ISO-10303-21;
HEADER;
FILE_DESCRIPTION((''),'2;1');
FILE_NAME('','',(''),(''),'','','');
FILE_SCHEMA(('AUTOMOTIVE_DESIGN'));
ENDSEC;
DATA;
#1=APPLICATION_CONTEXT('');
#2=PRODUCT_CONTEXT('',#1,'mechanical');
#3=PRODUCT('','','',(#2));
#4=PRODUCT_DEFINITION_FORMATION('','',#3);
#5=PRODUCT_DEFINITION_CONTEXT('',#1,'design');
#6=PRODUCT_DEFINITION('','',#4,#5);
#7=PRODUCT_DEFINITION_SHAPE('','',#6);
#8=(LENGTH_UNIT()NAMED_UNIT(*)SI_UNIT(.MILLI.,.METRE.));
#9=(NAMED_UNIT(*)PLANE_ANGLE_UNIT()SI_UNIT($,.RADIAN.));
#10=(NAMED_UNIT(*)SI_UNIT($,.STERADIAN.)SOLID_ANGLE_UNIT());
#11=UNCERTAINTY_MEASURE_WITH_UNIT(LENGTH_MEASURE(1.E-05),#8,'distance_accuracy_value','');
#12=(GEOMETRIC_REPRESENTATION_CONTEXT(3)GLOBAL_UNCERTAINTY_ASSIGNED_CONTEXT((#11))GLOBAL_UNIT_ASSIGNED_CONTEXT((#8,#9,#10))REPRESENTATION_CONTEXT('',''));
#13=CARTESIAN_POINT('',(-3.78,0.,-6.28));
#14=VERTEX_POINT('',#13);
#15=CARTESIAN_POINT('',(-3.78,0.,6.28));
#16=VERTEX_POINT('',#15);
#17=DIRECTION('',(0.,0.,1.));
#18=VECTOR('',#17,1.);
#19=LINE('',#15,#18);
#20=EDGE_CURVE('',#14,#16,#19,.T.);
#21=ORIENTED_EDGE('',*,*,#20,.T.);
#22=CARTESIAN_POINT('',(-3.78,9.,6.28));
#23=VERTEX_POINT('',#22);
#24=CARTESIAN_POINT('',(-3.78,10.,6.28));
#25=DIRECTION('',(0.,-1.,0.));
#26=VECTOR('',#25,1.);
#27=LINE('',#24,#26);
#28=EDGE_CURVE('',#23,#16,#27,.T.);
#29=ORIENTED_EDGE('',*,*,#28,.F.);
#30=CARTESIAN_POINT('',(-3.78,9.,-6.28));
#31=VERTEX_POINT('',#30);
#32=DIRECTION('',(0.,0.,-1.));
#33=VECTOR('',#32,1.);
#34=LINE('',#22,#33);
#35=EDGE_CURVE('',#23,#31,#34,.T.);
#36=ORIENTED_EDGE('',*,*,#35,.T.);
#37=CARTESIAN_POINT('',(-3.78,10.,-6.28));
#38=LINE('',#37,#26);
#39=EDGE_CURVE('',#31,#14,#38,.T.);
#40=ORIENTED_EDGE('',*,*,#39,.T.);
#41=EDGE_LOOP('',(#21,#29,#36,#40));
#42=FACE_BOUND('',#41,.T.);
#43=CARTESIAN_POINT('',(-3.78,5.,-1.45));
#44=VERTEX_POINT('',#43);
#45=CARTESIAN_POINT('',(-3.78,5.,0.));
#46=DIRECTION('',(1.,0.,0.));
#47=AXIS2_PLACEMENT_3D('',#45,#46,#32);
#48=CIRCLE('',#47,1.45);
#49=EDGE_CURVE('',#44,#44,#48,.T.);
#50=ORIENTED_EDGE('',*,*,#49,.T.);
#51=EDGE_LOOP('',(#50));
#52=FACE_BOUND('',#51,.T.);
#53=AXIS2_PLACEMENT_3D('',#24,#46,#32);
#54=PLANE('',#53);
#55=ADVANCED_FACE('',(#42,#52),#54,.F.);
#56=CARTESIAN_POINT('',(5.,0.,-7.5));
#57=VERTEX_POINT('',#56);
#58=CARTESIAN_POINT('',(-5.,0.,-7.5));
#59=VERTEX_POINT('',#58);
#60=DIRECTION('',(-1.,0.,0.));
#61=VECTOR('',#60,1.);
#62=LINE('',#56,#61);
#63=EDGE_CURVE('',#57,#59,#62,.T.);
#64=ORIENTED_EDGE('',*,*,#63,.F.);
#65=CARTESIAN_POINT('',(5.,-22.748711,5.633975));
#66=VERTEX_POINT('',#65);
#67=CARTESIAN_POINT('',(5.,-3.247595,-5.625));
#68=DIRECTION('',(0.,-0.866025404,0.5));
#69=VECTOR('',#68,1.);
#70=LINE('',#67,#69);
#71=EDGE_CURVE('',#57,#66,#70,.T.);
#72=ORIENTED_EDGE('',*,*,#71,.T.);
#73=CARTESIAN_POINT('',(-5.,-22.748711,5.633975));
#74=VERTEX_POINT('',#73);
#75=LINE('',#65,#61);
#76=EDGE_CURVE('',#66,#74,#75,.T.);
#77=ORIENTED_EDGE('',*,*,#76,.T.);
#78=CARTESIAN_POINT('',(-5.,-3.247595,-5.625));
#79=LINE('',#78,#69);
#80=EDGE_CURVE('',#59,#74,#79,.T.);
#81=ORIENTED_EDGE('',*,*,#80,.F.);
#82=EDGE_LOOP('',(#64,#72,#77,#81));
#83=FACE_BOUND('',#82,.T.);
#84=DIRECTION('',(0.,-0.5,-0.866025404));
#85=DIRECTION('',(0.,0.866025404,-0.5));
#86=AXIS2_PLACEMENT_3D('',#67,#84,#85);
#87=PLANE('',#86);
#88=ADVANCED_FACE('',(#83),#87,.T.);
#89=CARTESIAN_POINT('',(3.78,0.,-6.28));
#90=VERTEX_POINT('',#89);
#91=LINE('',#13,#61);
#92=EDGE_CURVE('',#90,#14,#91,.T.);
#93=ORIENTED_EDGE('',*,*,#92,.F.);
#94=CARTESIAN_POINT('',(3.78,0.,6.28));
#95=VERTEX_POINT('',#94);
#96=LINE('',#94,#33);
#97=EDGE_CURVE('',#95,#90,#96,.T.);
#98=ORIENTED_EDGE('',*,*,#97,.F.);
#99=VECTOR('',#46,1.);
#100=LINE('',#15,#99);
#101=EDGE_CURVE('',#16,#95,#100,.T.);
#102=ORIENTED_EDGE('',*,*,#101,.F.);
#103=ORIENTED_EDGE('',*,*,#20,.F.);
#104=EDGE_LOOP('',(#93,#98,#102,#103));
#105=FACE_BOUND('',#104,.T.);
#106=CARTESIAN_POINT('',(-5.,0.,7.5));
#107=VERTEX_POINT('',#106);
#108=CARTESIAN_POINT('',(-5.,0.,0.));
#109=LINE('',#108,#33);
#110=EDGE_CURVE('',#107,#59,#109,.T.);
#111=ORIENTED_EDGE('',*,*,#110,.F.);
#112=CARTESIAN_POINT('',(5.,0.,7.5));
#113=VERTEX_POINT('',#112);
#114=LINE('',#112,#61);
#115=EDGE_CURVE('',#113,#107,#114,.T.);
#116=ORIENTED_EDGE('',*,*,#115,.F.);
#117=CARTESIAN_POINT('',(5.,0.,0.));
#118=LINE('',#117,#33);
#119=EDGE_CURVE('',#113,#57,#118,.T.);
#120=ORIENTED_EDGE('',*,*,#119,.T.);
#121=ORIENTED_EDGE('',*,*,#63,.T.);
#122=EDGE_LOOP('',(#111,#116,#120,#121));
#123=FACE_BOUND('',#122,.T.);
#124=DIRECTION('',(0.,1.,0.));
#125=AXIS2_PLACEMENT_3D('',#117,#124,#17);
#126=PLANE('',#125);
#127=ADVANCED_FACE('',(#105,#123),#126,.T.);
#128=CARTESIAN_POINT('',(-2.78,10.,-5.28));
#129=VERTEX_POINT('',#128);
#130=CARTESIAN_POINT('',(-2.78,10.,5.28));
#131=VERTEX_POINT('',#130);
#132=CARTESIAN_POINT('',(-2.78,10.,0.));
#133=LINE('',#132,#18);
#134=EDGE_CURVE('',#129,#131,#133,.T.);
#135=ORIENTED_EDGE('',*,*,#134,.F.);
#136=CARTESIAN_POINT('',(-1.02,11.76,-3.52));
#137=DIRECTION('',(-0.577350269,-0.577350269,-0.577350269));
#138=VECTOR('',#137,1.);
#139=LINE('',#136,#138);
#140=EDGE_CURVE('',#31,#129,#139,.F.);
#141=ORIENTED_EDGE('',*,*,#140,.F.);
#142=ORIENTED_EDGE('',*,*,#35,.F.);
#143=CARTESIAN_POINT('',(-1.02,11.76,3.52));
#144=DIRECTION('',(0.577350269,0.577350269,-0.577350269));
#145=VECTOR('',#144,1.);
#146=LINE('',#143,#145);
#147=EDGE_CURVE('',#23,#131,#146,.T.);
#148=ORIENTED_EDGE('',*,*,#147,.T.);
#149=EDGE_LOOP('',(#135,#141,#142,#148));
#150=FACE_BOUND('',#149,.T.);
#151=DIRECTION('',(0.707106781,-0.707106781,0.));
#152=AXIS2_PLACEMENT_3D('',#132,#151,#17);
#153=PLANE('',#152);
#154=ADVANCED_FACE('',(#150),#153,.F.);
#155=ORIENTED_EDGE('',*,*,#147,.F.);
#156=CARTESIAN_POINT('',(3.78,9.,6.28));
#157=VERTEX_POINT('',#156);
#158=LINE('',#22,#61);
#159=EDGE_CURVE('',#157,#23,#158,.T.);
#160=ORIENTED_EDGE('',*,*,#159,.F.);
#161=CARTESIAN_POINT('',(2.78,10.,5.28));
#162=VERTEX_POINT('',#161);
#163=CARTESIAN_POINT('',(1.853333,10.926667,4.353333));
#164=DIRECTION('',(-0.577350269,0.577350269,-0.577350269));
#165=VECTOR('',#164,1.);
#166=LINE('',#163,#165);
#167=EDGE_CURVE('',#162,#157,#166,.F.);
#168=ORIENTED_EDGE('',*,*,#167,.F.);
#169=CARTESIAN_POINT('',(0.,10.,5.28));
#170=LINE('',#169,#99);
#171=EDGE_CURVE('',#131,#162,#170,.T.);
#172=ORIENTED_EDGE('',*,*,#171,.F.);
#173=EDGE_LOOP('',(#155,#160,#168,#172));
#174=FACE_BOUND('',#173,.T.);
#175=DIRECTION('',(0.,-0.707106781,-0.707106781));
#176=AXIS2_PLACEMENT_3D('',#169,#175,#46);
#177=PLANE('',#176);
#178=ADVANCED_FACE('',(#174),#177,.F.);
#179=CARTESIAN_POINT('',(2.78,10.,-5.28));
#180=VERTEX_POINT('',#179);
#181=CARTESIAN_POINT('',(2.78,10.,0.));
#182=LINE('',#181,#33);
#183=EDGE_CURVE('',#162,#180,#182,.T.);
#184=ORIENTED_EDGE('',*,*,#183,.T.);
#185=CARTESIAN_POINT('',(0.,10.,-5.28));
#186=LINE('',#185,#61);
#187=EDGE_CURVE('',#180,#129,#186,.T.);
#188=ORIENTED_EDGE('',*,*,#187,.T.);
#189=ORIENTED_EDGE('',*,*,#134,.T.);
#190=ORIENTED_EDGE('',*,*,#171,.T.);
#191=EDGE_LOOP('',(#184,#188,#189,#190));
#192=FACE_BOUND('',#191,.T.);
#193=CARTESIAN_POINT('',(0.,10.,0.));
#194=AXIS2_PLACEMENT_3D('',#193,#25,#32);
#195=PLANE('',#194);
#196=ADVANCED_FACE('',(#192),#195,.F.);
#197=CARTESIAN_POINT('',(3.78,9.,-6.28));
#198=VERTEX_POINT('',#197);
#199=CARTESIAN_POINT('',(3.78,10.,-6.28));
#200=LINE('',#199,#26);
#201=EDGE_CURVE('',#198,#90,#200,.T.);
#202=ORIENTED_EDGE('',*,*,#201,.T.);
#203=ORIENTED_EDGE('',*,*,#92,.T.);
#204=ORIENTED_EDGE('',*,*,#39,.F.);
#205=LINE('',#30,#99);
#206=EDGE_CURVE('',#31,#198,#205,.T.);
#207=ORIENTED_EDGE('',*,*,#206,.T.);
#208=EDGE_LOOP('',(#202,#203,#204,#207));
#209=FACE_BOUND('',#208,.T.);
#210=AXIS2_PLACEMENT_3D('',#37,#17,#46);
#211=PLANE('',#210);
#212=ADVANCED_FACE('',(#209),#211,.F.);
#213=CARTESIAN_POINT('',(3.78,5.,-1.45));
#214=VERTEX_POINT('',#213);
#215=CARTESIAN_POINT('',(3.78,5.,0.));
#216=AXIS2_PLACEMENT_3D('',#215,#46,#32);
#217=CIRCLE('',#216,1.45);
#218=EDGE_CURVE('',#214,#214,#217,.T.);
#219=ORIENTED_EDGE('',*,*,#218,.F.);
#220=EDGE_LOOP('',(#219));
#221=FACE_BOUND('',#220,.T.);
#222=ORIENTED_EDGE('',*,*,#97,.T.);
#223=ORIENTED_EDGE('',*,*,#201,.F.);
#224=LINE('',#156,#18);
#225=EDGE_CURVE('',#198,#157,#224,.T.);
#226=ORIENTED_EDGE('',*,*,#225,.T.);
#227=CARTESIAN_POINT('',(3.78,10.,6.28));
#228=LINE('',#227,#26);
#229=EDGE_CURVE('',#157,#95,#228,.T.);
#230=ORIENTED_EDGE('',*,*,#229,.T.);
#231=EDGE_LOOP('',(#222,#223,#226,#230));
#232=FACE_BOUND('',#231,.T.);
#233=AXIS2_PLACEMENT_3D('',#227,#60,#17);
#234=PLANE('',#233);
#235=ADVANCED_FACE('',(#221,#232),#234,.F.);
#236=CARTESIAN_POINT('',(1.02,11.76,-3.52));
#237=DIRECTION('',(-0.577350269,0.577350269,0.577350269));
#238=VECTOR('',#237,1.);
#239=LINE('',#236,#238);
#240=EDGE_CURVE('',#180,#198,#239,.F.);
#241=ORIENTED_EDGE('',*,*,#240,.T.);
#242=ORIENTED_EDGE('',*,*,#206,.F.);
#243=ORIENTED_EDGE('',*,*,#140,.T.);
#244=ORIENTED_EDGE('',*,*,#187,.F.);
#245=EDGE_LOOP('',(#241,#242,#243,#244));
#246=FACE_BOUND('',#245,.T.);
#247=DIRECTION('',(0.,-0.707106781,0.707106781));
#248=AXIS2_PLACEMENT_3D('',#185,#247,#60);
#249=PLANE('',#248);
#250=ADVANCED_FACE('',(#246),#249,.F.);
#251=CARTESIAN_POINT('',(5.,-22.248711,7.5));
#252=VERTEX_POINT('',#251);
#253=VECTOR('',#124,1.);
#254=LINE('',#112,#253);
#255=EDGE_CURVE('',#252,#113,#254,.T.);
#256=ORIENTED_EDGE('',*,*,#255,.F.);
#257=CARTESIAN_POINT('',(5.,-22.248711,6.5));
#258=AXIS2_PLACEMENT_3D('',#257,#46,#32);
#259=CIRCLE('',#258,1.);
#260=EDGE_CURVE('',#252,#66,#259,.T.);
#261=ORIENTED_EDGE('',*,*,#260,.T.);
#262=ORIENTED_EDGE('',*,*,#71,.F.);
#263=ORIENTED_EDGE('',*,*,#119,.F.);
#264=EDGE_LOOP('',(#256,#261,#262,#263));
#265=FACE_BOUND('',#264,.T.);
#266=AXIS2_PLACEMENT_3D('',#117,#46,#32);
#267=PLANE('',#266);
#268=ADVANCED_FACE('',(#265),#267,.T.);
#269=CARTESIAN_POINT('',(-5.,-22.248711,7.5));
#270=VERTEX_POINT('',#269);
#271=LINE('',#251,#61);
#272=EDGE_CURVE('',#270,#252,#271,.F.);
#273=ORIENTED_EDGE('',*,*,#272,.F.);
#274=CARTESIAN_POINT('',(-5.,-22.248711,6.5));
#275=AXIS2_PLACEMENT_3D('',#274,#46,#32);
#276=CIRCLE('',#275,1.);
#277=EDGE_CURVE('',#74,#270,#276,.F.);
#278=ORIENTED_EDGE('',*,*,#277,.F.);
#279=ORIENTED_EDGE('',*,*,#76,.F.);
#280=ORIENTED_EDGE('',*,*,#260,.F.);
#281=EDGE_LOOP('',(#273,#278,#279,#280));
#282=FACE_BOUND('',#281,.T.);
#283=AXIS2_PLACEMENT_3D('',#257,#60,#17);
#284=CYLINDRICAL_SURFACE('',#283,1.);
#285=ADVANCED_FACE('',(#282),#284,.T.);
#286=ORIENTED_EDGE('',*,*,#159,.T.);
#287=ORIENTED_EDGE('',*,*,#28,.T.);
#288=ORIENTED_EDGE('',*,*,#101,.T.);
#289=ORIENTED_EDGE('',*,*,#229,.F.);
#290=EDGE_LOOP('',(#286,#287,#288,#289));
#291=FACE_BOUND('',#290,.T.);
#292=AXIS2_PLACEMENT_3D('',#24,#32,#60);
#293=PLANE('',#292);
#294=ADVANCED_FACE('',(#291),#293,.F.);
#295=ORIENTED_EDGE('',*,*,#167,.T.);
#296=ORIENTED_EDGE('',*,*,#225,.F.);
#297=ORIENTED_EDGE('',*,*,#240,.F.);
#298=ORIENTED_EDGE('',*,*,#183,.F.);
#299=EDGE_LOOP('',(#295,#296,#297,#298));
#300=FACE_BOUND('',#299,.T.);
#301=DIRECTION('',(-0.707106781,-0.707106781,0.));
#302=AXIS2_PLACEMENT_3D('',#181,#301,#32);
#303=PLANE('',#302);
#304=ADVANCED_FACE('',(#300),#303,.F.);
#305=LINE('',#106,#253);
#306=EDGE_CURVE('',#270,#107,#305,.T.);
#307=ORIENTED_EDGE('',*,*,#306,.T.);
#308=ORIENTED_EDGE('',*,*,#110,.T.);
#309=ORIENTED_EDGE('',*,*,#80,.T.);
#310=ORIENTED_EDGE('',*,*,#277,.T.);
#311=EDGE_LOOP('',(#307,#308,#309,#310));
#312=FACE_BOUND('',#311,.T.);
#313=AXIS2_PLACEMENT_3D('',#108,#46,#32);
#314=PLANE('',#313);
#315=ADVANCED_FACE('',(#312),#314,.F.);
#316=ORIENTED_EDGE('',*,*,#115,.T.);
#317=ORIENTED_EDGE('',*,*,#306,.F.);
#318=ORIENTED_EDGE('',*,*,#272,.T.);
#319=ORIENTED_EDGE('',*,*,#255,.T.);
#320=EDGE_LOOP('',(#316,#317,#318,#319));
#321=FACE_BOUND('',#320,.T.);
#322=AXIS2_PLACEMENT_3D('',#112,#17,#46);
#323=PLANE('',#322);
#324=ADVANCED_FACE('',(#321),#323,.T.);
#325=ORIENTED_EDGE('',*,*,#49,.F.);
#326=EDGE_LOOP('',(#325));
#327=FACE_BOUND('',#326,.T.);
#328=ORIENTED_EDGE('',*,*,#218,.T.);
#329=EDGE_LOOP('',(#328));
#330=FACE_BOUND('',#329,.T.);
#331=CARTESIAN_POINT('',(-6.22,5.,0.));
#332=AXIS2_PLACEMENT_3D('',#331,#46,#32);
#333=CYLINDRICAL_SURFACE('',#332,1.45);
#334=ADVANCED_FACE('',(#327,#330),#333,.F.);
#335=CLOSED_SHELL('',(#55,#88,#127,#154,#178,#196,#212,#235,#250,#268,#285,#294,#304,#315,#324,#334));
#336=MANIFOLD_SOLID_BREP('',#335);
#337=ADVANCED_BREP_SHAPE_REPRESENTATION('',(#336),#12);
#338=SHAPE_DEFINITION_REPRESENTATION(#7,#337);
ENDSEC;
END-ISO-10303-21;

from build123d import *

# Parameters (mm, degrees)
SKETCH_1_W          = 7.56
SKETCH_1_H          = 12.56
EXTRUDE_1_DEPTH     = 10
CHAMFER_1_SIZE      = 1
EXTRUDE_2_DEPTH     = 5
SKETCH_4_R          = 1.45
CUT_EXTRUDE_1_DEPTH = 10
FILLET_1_R          = 1


with BuildPart() as part:
    # ｽｹｯﾁ1 → ﾎﾞｽ - 押し出し1 (new body)
    with BuildSketch(Plane(origin=(0, 0, 0), x_dir=(1, 0, 0), z_dir=(0, 1, 0))):
        Rectangle(SKETCH_1_W, SKETCH_1_H)
    extrude(amount=EXTRUDE_1_DEPTH)

    # 面取り1
    chamfer_1_edges = [part.edges().sort_by_distance(p)[0] for p in [
        (3.78, 10, 0),
        (0, 10, -6.28),
        (-3.78, 10, 0),
        (0, 10, 6.28),
    ]]
    chamfer(chamfer_1_edges, length=CHAMFER_1_SIZE)

    # ｽｹｯﾁ3 → ﾎﾞｽ - 押し出し2 (add, symmetric)
    with BuildSketch(Plane(origin=(0, 0, 0), x_dir=(0, 0, -1), z_dir=(1, 0, 0))):
        Polygon((0, 0), (-6.28, 0), (-7.5, 0), (-7.5, -25.980762114), (7.5, 0), (6.28, 0), align=None)
    extrude(amount=EXTRUDE_2_DEPTH, both=True)

    # ｽｹｯﾁ4 → ｶｯﾄ - 押し出し1 (cut)
    with BuildSketch(Plane(origin=(3.78, 0, 0), x_dir=(0, 0, -1), z_dir=(1, 0, 0))):
        with Locations((0, 5)):
            Circle(SKETCH_4_R)
    extrude(amount=-CUT_EXTRUDE_1_DEPTH, mode=Mode.SUBTRACT)

    # ﾌｨﾚｯﾄ1
    fillet_1_edges = [part.edges().sort_by_distance(p)[0] for p in [
        (0, -25.980762114, 7.5),
    ]]
    fillet(fillet_1_edges, radius=FILLET_1_R)


solid = part.part
